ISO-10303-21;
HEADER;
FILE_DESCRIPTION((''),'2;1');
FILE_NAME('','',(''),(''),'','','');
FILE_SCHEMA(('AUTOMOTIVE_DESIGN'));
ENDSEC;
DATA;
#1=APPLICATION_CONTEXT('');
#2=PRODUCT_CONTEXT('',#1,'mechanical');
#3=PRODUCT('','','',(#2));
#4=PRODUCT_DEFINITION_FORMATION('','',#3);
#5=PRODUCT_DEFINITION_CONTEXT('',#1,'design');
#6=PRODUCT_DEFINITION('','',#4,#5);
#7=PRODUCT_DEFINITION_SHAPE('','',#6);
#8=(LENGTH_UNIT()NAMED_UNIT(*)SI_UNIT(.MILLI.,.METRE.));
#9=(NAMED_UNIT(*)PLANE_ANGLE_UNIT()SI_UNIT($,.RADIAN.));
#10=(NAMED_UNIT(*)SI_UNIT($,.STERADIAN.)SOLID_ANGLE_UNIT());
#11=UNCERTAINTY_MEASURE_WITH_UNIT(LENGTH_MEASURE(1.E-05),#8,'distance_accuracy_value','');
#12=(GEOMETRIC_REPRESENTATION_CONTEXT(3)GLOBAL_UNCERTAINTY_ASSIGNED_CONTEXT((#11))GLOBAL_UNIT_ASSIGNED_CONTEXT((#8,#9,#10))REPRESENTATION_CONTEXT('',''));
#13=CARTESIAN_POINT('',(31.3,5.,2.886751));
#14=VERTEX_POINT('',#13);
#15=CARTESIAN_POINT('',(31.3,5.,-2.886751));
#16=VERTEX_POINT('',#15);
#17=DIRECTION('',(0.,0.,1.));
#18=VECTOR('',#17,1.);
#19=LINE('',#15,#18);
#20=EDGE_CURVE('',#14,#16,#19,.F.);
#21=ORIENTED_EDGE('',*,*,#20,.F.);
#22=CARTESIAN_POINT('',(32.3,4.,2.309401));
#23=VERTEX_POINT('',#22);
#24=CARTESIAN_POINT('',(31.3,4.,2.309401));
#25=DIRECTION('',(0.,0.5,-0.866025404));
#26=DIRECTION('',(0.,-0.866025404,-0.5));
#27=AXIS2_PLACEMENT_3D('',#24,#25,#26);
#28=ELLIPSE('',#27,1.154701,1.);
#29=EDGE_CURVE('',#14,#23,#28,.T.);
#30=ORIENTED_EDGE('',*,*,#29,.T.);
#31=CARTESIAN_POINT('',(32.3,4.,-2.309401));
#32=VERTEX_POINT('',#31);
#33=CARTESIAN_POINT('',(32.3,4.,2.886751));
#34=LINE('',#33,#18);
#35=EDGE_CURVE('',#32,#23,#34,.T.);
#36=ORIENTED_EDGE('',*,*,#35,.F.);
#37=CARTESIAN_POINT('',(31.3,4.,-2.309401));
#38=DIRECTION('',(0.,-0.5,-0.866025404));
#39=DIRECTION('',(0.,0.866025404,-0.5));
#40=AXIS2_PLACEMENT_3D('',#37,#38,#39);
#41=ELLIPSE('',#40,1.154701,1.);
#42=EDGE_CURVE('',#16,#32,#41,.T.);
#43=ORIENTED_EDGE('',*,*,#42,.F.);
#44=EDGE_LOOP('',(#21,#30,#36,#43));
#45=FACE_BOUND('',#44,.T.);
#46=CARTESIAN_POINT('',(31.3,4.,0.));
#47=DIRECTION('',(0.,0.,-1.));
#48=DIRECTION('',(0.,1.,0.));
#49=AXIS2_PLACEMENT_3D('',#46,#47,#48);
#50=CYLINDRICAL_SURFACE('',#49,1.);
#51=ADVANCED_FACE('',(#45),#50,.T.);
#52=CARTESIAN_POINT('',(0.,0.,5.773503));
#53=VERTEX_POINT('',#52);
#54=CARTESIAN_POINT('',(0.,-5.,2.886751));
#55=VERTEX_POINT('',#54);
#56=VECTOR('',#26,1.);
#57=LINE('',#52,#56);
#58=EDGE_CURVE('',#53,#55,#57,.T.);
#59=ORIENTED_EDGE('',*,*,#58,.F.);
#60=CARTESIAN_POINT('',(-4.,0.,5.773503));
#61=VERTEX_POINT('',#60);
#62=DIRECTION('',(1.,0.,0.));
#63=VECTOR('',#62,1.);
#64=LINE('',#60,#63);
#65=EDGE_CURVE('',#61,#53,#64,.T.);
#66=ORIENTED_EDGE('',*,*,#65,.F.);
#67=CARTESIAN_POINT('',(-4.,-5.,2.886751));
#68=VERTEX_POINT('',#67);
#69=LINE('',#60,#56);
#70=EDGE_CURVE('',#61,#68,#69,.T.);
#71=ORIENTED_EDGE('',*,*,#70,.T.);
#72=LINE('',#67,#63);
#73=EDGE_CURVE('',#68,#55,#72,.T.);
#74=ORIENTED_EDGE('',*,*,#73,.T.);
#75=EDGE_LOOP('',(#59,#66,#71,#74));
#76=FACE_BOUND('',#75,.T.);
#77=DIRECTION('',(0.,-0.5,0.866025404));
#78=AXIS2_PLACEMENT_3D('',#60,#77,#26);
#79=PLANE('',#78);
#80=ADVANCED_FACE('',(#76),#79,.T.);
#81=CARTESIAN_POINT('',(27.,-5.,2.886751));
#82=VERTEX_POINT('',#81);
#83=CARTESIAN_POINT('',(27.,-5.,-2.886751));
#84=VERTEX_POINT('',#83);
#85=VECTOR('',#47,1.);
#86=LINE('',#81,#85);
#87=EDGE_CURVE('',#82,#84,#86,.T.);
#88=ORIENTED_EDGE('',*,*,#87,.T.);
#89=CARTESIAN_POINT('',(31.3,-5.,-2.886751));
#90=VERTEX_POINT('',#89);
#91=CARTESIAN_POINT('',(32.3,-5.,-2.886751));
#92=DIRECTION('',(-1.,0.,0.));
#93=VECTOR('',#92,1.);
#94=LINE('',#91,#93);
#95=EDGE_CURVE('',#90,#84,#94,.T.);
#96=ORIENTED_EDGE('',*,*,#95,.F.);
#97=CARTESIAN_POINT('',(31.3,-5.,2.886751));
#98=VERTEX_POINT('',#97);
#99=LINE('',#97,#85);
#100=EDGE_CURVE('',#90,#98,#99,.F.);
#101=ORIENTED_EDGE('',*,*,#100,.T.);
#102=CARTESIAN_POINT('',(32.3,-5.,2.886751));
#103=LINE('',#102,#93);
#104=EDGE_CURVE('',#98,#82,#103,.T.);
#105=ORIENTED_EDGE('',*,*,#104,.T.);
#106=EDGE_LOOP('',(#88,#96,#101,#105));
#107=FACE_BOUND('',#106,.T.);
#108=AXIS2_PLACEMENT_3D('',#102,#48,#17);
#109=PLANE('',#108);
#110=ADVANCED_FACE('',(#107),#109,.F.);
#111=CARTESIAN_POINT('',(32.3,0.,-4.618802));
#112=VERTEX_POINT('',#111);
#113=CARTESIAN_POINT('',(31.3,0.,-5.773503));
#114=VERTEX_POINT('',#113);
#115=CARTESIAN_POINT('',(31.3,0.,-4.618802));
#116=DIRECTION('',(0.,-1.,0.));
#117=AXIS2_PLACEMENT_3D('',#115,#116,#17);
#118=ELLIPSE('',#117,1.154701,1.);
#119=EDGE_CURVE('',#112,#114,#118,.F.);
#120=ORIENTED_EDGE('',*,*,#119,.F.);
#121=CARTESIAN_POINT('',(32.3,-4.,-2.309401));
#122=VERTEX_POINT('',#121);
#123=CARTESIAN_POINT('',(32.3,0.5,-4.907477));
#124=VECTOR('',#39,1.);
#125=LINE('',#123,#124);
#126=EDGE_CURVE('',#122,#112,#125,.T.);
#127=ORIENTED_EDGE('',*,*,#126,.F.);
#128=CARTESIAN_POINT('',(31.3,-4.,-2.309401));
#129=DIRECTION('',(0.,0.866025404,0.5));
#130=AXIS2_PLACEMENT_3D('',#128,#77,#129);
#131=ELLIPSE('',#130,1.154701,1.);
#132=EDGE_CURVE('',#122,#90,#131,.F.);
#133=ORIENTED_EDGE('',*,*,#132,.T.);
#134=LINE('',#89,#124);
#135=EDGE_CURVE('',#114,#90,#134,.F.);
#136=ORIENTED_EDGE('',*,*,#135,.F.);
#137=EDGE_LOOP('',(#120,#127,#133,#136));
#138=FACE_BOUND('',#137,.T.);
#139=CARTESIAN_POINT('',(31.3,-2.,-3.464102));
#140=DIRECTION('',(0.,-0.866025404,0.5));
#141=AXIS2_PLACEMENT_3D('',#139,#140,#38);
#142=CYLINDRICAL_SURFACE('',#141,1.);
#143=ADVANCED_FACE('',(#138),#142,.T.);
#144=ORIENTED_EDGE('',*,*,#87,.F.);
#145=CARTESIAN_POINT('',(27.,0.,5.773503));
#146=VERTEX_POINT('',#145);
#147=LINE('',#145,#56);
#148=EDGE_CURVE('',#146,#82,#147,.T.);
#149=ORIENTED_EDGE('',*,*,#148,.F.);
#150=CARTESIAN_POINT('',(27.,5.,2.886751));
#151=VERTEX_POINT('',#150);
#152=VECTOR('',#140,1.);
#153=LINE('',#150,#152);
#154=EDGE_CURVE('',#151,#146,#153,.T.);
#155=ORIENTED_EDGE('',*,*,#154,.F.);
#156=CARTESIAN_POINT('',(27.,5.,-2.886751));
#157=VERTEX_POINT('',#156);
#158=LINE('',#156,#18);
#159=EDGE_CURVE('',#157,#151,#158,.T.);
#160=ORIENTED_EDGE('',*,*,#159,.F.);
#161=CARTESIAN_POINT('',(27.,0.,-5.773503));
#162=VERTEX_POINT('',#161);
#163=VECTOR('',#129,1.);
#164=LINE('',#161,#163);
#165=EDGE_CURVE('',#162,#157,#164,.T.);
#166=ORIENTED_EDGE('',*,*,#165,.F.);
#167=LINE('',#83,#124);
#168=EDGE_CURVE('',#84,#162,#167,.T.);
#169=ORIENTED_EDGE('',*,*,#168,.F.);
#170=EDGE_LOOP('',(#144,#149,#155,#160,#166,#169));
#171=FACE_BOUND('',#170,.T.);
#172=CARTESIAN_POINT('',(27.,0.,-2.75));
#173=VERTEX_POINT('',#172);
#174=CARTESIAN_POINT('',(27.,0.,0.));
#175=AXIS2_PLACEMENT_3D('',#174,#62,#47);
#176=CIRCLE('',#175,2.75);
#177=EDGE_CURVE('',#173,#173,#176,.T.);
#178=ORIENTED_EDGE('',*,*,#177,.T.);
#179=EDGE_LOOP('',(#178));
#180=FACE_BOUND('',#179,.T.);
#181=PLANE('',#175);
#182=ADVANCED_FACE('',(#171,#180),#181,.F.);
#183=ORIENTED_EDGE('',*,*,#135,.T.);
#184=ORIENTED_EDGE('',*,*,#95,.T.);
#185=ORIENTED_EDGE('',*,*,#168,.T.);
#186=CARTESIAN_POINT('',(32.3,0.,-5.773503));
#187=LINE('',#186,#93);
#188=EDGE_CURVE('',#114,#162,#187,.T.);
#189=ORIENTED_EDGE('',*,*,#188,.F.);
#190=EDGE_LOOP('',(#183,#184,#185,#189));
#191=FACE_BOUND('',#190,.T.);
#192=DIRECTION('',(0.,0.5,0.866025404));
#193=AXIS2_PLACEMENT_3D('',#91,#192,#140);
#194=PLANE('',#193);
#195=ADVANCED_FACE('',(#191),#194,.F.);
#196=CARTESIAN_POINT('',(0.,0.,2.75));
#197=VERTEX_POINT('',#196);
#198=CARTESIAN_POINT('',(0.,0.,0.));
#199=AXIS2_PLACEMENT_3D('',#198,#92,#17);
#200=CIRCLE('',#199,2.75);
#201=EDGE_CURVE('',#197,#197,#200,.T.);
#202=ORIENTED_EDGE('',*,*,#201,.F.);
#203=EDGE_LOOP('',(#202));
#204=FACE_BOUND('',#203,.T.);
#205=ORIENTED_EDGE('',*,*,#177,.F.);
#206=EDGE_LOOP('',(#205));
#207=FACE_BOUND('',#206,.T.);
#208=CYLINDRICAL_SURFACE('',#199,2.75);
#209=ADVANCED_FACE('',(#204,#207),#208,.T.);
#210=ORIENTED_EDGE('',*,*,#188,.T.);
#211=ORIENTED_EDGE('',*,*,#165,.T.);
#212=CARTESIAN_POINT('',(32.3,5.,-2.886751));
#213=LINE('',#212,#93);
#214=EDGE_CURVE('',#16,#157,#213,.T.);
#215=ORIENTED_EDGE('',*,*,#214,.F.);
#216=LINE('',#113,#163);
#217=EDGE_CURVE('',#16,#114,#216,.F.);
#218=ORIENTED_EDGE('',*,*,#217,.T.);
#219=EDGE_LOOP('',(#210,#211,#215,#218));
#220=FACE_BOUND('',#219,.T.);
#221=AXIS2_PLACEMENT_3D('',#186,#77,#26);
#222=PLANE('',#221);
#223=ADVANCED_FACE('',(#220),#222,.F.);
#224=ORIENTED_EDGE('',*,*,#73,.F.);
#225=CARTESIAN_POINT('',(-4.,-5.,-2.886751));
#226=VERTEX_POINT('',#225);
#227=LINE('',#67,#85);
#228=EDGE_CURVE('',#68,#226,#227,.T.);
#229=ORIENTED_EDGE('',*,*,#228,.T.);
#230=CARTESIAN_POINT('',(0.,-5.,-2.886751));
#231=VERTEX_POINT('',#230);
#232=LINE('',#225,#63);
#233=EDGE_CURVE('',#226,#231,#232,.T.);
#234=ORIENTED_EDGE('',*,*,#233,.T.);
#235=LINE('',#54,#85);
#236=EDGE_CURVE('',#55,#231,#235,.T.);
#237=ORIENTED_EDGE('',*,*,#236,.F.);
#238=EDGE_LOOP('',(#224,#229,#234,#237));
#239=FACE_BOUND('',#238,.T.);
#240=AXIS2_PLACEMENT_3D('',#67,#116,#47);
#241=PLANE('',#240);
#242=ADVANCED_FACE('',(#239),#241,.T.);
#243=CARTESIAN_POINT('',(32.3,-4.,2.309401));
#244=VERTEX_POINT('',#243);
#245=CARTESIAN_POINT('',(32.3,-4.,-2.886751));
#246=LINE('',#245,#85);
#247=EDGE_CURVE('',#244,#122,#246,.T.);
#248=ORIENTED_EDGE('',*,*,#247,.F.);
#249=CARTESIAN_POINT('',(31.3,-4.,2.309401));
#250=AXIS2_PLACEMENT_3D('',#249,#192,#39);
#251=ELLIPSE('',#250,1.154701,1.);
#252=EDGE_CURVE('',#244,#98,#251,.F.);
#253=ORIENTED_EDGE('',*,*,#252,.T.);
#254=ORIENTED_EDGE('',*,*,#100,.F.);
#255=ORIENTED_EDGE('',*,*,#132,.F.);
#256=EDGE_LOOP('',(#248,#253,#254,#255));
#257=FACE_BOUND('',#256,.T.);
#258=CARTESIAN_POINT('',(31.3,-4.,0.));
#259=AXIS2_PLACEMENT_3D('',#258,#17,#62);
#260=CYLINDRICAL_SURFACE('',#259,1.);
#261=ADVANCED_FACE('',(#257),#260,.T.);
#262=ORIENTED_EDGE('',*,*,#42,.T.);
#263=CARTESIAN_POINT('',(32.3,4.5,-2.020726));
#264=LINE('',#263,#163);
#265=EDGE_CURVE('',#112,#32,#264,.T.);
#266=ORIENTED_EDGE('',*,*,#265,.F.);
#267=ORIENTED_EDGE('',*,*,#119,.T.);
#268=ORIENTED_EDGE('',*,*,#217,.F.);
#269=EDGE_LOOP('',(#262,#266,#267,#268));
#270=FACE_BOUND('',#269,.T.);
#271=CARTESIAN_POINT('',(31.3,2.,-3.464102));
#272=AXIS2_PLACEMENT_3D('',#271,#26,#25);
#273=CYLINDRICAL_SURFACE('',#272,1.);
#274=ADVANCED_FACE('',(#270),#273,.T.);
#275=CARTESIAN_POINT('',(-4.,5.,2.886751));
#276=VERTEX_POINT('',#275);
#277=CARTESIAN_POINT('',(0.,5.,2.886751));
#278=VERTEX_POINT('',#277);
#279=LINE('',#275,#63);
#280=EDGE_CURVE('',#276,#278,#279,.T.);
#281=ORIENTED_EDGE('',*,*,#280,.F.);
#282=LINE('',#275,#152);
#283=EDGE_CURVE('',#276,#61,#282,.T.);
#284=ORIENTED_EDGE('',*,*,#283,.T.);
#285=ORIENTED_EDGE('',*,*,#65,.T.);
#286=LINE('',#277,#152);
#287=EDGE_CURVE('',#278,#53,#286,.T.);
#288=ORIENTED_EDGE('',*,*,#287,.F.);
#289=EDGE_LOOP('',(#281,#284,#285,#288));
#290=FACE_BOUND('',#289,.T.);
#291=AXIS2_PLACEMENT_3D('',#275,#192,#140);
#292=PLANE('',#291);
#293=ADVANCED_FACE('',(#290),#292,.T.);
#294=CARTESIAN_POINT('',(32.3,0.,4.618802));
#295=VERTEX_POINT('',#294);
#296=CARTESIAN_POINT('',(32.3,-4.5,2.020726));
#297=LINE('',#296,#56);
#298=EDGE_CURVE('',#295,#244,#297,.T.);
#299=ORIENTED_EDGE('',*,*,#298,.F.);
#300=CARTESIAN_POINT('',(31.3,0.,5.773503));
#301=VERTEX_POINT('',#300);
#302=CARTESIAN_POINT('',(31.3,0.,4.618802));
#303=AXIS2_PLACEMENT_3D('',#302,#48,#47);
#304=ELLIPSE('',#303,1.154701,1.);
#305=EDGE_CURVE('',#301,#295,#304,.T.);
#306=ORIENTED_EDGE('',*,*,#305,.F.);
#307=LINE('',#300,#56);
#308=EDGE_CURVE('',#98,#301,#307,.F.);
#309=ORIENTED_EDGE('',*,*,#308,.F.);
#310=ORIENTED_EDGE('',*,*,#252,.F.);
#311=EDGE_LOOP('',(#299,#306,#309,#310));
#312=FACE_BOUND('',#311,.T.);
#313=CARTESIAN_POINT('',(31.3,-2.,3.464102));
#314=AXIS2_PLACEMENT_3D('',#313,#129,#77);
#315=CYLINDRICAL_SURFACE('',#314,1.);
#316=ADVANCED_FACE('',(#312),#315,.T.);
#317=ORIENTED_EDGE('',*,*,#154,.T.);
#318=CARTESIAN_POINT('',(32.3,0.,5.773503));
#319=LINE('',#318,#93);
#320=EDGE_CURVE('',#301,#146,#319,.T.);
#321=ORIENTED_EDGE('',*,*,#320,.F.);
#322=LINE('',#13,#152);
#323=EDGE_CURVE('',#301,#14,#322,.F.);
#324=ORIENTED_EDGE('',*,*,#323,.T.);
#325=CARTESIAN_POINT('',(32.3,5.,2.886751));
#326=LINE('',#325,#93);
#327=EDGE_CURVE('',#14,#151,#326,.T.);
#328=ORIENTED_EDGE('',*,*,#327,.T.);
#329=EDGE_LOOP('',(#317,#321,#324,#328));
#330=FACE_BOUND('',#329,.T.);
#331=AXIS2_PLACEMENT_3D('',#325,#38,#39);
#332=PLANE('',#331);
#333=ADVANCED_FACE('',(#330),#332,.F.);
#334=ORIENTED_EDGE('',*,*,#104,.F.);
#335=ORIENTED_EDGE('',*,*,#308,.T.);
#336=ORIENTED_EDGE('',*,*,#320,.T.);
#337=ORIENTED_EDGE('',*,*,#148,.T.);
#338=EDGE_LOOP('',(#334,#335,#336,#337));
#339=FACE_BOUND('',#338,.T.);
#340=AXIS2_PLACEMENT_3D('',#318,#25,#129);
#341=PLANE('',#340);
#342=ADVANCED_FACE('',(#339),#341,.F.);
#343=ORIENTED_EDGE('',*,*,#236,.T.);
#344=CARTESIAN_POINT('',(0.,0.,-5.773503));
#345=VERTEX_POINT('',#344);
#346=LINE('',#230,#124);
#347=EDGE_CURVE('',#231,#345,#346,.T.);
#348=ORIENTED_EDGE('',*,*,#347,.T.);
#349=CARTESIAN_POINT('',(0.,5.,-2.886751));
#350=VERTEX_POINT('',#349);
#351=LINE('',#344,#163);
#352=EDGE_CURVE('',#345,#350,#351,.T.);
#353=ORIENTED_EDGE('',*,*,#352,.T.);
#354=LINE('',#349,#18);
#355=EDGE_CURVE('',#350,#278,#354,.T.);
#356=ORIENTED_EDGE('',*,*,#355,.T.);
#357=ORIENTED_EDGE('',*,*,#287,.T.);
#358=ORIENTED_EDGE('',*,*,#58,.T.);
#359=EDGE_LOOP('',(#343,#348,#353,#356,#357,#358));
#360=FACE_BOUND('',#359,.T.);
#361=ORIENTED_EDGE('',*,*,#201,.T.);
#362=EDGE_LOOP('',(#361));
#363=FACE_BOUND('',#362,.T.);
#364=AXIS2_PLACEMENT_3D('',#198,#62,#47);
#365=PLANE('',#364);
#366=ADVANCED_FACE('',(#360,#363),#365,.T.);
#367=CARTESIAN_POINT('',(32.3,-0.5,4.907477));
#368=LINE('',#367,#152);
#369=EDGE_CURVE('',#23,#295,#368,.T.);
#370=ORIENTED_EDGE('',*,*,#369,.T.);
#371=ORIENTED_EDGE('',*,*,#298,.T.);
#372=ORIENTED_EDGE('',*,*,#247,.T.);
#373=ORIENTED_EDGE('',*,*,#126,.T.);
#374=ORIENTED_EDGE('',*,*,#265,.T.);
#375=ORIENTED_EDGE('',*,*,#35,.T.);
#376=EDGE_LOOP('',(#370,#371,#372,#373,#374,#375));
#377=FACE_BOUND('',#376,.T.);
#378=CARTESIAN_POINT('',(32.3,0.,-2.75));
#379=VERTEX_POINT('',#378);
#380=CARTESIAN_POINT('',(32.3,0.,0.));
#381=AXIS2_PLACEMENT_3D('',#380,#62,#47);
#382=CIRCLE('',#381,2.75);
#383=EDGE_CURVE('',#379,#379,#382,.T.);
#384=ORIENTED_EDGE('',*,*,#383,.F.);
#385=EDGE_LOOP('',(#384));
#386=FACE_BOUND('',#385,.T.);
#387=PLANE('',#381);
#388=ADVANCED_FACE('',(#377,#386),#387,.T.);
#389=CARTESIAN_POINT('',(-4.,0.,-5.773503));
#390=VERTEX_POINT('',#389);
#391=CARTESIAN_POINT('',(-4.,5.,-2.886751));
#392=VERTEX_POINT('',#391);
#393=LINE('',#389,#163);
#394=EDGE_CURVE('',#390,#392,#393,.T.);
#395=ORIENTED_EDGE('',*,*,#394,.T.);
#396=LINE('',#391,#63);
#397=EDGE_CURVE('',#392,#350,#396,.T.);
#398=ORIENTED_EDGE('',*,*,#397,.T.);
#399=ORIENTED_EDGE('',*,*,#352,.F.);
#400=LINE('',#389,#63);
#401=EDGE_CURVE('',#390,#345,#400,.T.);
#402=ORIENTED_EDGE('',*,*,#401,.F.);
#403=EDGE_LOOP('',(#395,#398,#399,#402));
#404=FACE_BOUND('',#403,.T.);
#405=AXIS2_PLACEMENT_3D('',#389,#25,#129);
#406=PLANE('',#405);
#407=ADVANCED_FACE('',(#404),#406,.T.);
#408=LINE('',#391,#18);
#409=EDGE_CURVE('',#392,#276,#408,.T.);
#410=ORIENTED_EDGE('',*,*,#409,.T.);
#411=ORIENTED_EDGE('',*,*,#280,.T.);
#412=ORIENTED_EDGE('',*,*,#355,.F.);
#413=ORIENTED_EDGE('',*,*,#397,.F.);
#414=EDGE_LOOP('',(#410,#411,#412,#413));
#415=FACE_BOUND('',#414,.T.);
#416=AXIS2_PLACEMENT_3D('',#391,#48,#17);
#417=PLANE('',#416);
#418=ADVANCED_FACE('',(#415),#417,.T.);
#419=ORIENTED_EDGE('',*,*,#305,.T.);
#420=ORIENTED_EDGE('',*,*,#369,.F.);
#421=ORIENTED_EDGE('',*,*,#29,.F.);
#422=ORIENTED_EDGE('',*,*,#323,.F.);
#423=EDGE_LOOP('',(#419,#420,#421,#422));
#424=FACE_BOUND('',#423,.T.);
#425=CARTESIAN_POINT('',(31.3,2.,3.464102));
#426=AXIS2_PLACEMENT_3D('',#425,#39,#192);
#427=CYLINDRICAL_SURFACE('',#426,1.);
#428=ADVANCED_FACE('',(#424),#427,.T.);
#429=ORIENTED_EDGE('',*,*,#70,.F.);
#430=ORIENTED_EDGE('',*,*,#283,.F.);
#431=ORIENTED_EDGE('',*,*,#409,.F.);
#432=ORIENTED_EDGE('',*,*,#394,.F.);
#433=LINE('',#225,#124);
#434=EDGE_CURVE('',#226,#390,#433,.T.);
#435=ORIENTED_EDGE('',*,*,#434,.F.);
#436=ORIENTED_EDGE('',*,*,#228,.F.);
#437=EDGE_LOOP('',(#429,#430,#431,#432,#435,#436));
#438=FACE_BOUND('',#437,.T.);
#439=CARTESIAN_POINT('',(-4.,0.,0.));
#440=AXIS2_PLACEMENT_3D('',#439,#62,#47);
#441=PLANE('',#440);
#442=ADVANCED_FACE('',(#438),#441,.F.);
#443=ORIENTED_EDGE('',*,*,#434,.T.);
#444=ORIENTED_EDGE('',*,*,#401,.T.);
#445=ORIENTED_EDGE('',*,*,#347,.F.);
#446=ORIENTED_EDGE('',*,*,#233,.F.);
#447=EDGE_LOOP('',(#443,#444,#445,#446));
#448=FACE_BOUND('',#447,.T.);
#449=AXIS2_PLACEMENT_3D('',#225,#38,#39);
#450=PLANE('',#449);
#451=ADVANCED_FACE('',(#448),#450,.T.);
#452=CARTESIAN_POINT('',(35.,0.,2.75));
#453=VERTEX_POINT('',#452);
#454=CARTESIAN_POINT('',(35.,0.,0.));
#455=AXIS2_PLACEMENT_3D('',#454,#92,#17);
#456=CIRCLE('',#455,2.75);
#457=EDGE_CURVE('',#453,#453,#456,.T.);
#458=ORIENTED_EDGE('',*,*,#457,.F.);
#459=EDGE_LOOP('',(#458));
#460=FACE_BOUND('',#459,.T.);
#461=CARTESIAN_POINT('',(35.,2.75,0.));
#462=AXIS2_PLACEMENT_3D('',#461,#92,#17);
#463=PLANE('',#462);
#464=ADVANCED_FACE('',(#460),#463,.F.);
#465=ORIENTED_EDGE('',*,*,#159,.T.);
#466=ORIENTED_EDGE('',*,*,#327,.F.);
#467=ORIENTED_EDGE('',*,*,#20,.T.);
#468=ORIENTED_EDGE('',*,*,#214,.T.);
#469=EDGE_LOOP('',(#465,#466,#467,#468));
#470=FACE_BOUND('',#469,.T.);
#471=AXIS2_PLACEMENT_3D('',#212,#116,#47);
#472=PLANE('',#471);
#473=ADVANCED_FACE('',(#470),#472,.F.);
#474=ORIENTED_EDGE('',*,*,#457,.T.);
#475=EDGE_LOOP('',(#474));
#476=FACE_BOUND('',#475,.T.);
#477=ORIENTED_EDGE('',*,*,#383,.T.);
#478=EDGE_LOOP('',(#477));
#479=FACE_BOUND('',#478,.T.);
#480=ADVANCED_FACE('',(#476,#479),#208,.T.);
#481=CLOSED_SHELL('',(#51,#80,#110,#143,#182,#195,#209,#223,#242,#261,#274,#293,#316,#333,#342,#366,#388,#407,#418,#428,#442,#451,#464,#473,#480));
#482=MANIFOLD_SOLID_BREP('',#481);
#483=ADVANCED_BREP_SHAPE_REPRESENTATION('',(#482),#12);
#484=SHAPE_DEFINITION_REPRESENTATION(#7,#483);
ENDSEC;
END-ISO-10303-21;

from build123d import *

# Parameters (mm, degrees)
SKETCH1_W           = 35
SKETCH1_H           = 2.75
BOSS_EXTRUDE1_DEPTH = 4
BOSS_EXTRUDE2_DEPTH = 5.3
FILLET1_R           = 1


with BuildPart() as part:
    # Sketch1 → Revolve1 (revolve)
    with BuildSketch(Plane.XY):
        with Locations((17.5, 1.375)):
            Rectangle(SKETCH1_W, SKETCH1_H)
    revolve(axis=Axis((0, 0, 0), (1, 0, 0)))

    # Sketch2 → Boss-Extrude1 (add)
    with BuildSketch(Plane(origin=(0, 0, 0), x_dir=(0, 0, -1), z_dir=(1, 0, 0))):
        Polygon((5.773502692, 0), (2.886751346, 5), (-2.886751346, 5), (-5.773502692, 0), (-2.886751346, -5), (2.886751346, -5), align=None)
    extrude(amount=-BOSS_EXTRUDE1_DEPTH)

    # Sketch3 → Boss-Extrude2 (add)
    with BuildSketch(Plane(origin=(27, 0, 0), x_dir=(0, 0, -1), z_dir=(1, 0, 0))):
        Polygon((5.773502692, 0), (2.886751346, 5), (-2.886751346, 5), (-5.773502692, 0), (-2.886751346, -5), (2.886751346, -5), align=None)
    extrude(amount=BOSS_EXTRUDE2_DEPTH)

    # Fillet1
    fillet1_edges = [part.edges().sort_by_distance(p)[0] for p in [
        (32.3, -2.5, -4.330127019),
        (32.3, 2.5, -4.330127019),
        (32.3, 5, 0),
        (32.3, 2.5, 4.330127019),
        (32.3, -2.5, 4.330127019),
        (32.3, -5, 0),
    ]]
    fillet(fillet1_edges, radius=FILLET1_R)


solid = part.part
